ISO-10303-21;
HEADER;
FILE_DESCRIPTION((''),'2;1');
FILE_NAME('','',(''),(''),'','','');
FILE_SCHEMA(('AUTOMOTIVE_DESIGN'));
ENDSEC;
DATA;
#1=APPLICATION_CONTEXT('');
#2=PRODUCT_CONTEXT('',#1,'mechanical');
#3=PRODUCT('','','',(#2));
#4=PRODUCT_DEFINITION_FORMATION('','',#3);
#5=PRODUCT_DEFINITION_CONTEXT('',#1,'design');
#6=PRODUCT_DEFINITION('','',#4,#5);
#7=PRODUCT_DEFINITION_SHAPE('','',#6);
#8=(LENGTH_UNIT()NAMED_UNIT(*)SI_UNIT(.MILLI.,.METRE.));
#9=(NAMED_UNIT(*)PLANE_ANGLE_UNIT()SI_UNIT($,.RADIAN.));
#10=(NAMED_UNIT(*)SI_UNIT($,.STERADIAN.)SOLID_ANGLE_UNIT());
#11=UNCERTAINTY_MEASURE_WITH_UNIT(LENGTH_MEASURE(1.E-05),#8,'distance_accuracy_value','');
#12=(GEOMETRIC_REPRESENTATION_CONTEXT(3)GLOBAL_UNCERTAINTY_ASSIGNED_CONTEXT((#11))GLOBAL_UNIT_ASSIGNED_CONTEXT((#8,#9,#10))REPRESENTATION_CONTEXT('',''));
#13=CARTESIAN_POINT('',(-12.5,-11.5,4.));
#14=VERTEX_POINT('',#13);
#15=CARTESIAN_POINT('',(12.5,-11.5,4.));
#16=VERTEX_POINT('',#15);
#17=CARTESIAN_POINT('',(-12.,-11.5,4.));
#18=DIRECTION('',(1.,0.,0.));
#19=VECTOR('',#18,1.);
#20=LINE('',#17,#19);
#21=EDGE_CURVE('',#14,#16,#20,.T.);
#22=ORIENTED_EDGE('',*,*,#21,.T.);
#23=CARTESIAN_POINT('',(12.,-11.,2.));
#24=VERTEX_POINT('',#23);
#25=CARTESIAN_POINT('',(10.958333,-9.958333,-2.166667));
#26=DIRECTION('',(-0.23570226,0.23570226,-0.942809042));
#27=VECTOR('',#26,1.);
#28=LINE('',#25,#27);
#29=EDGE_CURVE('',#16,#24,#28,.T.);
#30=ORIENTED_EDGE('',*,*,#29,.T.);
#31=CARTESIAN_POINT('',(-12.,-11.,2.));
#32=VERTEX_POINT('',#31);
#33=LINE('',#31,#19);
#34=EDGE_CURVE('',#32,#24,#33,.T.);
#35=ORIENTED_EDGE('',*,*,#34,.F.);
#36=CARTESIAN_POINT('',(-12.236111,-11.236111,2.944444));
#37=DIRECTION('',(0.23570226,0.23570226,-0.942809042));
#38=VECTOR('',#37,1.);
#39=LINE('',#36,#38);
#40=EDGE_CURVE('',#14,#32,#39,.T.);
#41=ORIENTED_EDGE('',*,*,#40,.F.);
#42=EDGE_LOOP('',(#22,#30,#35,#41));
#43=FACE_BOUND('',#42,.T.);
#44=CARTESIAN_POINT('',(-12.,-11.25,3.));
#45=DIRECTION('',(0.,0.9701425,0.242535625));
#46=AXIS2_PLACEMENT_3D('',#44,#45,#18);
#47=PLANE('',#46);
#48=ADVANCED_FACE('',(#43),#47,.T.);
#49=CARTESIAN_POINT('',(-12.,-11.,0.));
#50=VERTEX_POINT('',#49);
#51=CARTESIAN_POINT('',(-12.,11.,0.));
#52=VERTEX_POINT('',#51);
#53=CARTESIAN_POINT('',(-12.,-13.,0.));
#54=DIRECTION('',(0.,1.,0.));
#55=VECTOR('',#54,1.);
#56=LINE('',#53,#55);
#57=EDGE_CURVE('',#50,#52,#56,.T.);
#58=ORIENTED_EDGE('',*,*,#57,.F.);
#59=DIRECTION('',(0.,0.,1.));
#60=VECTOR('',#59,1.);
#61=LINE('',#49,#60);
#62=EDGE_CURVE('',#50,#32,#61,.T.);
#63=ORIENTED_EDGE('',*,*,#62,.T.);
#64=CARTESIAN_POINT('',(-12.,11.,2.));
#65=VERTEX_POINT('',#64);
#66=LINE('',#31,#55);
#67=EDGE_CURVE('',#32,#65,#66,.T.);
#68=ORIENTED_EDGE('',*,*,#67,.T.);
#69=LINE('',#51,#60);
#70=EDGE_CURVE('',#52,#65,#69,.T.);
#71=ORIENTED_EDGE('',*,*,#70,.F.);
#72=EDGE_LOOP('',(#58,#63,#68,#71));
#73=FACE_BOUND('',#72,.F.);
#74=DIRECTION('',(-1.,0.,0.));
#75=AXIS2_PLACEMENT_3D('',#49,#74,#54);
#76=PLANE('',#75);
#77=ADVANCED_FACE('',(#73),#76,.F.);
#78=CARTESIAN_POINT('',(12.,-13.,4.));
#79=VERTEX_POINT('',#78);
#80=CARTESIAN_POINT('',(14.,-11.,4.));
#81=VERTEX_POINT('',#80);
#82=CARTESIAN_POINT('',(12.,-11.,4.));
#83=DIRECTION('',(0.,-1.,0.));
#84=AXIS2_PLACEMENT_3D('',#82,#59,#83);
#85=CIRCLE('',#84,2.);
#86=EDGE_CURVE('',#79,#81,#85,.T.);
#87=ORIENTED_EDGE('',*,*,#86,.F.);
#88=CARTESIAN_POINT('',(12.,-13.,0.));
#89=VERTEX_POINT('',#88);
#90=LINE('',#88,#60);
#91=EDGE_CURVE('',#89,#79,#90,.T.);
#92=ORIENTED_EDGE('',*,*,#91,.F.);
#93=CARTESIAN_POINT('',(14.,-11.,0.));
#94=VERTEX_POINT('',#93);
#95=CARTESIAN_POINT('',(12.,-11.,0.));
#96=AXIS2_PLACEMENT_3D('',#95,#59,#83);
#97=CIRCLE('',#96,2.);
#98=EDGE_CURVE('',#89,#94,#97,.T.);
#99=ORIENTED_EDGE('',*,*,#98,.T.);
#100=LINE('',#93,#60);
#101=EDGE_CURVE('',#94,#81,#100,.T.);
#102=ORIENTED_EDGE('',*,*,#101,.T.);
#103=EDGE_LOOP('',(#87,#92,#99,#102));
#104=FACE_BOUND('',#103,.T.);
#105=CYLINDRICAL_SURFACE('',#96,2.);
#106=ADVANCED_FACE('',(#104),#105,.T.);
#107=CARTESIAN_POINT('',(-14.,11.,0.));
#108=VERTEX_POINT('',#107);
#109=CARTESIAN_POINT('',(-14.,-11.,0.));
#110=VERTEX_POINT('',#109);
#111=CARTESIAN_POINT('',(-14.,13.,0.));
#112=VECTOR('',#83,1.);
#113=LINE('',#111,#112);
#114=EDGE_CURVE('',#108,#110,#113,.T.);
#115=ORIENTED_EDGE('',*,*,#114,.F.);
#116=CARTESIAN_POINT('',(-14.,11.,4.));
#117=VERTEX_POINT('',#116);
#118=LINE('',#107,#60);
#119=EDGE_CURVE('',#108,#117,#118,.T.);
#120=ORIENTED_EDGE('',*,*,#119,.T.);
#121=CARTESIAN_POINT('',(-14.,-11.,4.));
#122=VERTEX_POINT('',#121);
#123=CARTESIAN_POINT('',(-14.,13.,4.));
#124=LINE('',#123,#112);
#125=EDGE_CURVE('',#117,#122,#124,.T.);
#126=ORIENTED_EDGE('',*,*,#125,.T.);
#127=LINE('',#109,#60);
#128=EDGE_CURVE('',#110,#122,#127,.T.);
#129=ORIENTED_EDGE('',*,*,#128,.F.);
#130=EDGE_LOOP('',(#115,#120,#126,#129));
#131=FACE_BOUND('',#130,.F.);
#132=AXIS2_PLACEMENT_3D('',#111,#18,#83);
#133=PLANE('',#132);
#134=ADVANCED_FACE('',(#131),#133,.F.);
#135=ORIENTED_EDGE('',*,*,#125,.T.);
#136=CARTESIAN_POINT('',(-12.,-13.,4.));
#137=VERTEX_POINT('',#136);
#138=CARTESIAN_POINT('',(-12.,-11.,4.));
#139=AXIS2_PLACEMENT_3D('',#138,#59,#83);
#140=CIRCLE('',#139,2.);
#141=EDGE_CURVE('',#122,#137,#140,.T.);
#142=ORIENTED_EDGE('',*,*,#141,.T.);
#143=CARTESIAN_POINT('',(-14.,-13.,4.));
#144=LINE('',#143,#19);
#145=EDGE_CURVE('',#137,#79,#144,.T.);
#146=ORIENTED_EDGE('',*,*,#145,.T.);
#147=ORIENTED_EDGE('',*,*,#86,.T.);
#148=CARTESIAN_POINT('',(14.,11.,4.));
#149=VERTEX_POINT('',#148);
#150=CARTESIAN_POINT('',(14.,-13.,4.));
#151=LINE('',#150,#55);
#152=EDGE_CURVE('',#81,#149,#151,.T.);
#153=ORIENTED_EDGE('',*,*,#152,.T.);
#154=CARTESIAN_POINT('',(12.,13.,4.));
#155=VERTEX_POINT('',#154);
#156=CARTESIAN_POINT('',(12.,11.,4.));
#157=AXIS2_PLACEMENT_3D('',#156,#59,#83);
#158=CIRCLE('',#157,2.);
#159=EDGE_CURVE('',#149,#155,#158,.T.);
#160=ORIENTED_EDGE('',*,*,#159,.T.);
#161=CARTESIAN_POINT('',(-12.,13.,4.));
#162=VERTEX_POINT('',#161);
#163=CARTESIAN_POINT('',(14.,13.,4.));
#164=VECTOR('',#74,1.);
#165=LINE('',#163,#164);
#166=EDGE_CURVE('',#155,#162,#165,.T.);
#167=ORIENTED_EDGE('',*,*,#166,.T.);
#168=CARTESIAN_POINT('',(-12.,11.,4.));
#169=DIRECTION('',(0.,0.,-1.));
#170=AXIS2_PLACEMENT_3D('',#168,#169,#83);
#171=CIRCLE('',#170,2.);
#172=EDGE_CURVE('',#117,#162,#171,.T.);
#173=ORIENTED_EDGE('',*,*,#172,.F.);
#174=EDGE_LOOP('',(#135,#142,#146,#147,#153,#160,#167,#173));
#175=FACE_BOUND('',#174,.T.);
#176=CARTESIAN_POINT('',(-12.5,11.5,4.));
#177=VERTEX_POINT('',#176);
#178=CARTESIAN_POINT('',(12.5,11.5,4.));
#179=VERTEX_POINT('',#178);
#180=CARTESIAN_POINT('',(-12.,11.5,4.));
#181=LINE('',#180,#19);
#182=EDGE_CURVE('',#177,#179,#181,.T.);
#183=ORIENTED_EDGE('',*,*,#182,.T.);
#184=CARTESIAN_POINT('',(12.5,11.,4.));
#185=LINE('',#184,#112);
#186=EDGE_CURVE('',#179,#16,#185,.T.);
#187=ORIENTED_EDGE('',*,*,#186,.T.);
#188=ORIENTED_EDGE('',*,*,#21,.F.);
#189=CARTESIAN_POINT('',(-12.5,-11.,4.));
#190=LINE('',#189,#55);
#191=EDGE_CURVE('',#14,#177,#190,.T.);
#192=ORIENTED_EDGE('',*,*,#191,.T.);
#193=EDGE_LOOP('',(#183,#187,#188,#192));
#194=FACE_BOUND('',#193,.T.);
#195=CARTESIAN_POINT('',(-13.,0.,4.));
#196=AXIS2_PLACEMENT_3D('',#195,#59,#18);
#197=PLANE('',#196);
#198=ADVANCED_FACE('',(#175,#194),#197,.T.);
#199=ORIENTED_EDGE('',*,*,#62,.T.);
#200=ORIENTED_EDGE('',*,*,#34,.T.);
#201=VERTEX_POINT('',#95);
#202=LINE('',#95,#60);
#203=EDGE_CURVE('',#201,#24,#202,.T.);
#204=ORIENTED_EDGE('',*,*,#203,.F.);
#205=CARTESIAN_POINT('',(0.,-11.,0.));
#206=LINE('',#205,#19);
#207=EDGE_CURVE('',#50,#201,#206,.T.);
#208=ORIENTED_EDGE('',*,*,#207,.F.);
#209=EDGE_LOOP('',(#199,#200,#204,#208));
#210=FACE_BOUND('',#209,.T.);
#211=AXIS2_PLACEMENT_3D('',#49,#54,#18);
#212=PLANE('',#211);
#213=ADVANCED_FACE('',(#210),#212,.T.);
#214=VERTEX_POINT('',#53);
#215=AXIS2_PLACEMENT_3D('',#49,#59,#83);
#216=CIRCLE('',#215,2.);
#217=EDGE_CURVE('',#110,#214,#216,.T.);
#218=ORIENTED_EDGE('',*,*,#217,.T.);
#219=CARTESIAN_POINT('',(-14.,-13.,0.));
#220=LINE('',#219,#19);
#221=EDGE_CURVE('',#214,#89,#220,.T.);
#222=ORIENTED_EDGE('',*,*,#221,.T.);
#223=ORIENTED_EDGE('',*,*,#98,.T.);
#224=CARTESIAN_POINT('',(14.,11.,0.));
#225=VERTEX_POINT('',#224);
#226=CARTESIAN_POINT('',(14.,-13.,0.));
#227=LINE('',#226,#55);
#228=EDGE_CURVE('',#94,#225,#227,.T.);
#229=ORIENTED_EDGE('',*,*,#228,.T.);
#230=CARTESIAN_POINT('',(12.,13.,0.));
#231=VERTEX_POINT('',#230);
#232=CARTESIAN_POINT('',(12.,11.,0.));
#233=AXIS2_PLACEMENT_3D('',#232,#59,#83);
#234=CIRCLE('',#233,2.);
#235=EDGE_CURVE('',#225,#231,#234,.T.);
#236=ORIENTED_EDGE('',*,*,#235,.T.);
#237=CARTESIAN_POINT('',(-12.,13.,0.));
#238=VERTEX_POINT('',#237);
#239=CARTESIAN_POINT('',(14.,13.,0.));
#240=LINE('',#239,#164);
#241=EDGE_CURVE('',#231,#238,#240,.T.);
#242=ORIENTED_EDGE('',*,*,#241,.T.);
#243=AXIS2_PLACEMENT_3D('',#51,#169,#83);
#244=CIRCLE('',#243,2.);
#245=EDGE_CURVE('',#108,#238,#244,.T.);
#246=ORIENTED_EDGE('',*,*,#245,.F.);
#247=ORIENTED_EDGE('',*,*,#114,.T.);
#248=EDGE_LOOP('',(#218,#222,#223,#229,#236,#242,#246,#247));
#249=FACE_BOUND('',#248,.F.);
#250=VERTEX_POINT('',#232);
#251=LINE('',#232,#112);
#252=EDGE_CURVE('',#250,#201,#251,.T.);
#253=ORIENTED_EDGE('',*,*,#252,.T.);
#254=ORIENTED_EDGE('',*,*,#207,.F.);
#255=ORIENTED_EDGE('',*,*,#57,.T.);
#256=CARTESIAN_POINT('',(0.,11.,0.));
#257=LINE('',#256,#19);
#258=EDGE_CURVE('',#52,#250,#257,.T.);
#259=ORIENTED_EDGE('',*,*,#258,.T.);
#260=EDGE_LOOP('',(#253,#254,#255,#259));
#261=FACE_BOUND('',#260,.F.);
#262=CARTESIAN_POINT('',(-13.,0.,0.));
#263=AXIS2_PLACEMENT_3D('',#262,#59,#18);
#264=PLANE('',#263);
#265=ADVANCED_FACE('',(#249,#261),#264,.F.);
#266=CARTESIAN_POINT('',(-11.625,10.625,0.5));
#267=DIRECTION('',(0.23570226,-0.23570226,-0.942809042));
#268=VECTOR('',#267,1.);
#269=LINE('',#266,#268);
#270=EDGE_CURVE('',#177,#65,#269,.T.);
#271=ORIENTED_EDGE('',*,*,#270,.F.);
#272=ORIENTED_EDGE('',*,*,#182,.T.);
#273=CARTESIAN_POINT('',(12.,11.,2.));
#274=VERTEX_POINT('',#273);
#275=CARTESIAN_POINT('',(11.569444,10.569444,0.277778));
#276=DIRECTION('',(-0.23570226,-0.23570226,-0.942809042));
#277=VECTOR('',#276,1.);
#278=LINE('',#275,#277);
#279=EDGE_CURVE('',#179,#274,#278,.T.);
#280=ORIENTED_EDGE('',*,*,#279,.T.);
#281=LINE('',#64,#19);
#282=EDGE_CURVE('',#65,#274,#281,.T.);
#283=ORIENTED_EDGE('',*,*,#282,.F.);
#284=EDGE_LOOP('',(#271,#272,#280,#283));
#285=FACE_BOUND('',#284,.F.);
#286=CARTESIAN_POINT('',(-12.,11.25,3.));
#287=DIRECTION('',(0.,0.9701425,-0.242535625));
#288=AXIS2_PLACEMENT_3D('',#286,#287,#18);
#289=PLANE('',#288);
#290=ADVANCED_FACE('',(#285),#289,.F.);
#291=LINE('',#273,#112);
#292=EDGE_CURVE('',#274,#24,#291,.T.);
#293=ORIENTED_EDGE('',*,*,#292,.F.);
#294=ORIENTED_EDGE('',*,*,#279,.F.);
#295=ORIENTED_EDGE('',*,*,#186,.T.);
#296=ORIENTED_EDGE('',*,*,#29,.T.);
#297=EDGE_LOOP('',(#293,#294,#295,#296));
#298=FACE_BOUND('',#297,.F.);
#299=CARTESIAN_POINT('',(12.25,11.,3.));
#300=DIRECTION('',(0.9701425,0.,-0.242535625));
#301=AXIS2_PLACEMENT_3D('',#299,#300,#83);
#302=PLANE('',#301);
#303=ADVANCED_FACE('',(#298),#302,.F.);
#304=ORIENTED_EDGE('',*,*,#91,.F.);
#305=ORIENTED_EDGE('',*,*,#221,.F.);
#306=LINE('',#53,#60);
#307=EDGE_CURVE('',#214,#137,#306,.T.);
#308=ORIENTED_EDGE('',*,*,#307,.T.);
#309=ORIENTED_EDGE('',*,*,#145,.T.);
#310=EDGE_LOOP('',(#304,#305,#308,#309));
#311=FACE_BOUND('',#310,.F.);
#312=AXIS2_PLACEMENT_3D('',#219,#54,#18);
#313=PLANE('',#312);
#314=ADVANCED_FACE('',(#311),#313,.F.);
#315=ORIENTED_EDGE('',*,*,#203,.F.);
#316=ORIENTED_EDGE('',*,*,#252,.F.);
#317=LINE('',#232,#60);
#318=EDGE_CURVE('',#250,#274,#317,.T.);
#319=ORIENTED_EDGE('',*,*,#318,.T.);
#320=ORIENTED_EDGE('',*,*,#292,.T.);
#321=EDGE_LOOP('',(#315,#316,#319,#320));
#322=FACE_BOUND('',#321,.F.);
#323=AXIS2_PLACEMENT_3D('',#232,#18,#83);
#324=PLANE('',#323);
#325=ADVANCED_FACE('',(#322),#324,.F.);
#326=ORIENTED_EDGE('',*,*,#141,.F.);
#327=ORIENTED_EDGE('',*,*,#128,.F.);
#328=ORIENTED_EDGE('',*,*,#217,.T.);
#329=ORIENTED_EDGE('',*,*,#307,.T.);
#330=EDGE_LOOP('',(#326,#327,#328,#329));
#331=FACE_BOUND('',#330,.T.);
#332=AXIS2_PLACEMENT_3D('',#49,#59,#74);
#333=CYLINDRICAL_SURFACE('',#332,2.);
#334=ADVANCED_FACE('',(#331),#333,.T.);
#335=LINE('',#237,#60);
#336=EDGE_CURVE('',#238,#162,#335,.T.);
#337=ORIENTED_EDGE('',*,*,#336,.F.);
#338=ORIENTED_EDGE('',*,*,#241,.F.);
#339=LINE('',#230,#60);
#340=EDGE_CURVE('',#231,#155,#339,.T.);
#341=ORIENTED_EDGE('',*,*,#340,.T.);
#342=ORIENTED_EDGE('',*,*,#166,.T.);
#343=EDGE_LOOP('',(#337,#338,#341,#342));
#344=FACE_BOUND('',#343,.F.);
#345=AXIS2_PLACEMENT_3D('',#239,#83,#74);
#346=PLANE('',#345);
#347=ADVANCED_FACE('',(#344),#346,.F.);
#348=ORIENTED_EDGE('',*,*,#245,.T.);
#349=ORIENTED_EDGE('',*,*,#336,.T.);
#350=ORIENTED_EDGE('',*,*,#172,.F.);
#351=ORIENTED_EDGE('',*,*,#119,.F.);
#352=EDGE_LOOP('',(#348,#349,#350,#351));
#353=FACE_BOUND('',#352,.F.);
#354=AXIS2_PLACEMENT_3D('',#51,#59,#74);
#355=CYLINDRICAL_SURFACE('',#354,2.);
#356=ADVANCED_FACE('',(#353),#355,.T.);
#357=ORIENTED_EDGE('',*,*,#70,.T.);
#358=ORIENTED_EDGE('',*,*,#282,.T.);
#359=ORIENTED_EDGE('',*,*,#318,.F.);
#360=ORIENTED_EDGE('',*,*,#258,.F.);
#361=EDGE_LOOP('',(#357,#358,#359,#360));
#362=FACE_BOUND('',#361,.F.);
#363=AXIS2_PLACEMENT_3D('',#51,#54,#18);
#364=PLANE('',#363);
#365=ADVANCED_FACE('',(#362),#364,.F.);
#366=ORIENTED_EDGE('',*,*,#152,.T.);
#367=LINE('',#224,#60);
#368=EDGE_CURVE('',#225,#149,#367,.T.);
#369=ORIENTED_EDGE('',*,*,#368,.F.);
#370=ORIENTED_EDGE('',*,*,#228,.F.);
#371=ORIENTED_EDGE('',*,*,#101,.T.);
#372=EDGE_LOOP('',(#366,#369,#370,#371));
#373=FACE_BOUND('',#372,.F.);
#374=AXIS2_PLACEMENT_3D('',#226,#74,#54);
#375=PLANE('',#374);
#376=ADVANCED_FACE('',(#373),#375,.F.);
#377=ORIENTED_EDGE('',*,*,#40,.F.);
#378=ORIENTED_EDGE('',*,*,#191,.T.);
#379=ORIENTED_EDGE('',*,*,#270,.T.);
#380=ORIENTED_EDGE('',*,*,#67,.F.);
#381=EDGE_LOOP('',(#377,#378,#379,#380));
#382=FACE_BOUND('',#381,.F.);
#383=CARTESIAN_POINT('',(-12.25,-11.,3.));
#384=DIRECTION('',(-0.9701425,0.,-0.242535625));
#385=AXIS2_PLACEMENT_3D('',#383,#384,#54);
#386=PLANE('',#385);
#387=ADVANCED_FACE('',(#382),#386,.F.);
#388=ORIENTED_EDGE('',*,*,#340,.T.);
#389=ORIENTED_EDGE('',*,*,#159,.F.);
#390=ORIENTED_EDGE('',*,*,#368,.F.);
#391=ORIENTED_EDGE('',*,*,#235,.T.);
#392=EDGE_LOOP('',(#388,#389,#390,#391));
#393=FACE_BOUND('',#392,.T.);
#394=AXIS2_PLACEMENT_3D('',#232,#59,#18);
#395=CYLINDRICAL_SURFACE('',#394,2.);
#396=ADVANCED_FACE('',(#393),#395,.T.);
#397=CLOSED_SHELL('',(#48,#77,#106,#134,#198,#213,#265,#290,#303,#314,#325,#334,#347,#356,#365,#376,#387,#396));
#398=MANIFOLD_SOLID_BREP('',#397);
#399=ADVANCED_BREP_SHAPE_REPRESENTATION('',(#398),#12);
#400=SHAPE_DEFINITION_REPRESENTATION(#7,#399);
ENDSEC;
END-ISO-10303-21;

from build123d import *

# Parameters (mm, degrees)
F0_W     = 24
F0_H     = 2
F1_DEPTH = 4
F2_SIZE2 = 2
F2_SIZE  = 0.5
F3_R     = 2


with BuildPart() as f1:
    # F0 (on Top) → F1 (new body)
    with BuildSketch(Plane.XY):
        Polygon((-12, 13), (-14, 13), (-14, -13), (-12, -13), (-12, -11), (-12, 11), align=None)
        with Locations((0, 12)):
            Rectangle(F0_W, F0_H)
        Polygon((14, 13), (12, 13), (12, 11), (12, -11), (12, -13), (14, -13), align=None)
        with Locations((0, -12)):
            Rectangle(F0_W, F0_H)
    extrude(amount=F1_DEPTH)

    # F2
    f2_edges = [f1.edges().sort_by_distance(p)[0] for p in [
        (-12, 0, 4),
        (0, 11, 4),
        (12, 0, 4),
        (0, -11, 4),
    ]]
    f2_side = f1.faces().sort_by_distance((-13.617901, 0, 4))[0]
    chamfer(f2_edges, length=F2_SIZE, length2=F2_SIZE2, reference=f2_side)

    # F3
    f3_edges = [f1.edges().sort_by_distance(p)[0] for p in [
        (14, -13, 2),
        (-14, -13, 2),
        (-14, 13, 2),
        (14, 13, 2),
    ]]
    fillet(f3_edges, radius=F3_R)


solid = f1.part
